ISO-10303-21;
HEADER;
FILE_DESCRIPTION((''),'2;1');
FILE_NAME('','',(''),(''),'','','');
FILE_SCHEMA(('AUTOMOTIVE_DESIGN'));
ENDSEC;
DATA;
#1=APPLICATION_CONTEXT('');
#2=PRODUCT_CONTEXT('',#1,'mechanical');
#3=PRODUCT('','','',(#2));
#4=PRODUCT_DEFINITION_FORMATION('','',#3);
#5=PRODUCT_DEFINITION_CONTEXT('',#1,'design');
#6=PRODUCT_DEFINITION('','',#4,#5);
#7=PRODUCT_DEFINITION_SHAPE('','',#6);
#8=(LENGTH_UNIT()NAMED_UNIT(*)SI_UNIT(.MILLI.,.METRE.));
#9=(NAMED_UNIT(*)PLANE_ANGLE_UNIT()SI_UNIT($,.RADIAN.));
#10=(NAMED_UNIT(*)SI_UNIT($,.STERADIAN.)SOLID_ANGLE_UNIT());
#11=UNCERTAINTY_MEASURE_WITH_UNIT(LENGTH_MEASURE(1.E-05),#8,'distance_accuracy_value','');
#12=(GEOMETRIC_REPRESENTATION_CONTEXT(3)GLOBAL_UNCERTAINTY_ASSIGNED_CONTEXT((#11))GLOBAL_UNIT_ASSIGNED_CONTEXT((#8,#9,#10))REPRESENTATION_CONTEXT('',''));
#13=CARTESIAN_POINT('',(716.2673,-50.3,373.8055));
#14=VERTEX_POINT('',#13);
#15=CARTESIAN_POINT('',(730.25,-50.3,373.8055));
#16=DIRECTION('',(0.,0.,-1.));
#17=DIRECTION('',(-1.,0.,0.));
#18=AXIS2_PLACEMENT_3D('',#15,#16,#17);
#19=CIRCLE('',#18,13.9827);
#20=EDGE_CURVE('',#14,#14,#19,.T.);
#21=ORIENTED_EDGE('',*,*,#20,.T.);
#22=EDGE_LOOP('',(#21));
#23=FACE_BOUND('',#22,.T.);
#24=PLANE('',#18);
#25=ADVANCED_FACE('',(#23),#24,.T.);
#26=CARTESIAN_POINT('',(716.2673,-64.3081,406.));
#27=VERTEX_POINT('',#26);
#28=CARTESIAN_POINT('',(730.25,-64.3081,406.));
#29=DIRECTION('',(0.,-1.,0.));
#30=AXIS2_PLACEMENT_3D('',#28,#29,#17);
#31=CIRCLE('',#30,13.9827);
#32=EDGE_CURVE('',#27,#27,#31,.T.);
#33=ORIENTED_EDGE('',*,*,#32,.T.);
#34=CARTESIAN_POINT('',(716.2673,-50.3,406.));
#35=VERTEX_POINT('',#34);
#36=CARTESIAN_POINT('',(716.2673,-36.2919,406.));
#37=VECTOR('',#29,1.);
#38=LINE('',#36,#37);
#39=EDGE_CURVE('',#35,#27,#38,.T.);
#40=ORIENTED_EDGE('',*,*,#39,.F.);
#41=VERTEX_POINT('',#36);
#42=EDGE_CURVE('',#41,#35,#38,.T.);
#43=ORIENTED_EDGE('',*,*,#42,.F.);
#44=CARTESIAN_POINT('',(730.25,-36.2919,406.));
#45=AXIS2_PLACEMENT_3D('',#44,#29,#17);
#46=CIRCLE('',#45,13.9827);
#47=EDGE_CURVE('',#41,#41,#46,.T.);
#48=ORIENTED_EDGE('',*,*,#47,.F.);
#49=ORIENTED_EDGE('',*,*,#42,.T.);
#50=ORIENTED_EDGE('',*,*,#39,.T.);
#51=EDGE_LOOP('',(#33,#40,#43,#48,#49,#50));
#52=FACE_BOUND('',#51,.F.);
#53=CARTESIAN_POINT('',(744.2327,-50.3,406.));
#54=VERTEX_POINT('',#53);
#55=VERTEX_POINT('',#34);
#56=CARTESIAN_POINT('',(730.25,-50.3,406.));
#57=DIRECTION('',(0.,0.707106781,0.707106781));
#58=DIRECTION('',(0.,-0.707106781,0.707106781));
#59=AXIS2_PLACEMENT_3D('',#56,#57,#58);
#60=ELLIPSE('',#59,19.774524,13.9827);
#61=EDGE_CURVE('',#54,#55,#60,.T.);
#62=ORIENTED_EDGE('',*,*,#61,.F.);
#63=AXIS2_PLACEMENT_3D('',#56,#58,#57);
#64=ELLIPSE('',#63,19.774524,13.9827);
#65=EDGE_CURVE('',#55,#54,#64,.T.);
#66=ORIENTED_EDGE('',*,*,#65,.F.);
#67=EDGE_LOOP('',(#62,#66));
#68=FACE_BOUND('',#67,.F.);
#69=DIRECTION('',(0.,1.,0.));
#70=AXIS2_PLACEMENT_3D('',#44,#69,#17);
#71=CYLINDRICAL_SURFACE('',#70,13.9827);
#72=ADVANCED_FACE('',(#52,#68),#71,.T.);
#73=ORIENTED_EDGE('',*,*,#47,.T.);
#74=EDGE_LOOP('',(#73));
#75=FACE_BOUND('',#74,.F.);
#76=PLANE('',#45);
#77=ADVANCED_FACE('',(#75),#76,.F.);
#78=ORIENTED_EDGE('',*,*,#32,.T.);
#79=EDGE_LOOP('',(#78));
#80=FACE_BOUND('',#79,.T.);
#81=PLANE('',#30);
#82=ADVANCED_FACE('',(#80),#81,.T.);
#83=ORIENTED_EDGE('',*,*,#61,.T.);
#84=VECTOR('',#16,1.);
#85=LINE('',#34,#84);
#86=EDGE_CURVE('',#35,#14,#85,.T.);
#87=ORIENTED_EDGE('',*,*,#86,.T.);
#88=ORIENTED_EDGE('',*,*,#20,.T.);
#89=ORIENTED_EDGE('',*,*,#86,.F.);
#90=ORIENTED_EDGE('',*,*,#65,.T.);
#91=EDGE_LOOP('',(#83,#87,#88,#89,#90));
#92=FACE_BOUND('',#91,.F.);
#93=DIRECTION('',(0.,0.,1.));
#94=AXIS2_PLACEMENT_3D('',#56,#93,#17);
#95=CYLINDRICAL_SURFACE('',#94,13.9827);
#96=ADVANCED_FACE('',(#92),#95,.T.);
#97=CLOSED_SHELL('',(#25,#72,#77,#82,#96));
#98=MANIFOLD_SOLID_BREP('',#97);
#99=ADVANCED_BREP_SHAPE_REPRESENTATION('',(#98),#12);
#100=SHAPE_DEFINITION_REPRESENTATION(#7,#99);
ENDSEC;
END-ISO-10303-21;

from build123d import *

# Parameters (mm, degrees)
CYLINDER024_R             = 13.9827
CYLINDER024_DEPTH         = 28.0162
CYLINDER023_R             = 13.9827
CYLINDER023_DEPTH         = 32.1945
FUSION011_PLACEMENT_ANGLE = 180


with BuildPart() as cylinder024:
    # Cylinder024 → Cylinder024 (new body)
    with BuildSketch(Plane.XZ.offset(-14.0081)):
        Circle(CYLINDER024_R)
    extrude(amount=CYLINDER024_DEPTH)


with BuildPart() as front_slip_l:
    # Cylinder023 → Cylinder023 (new body)
    with BuildSketch(Plane.XY):
        Circle(CYLINDER023_R)
    extrude(amount=CYLINDER023_DEPTH)

    # Fusion011: union Cylinder024
    add(cylinder024.part)


with BuildPart() as front_slip_l_1:
    # Fusion011 placement: moved
    add(front_slip_l.part.moved(Location((730.25, -50.3, 406))).rotate(Axis((730.25, -50.3, 406), (0, 1, 0)), FUSION011_PLACEMENT_ANGLE))


solid = front_slip_l_1.part
